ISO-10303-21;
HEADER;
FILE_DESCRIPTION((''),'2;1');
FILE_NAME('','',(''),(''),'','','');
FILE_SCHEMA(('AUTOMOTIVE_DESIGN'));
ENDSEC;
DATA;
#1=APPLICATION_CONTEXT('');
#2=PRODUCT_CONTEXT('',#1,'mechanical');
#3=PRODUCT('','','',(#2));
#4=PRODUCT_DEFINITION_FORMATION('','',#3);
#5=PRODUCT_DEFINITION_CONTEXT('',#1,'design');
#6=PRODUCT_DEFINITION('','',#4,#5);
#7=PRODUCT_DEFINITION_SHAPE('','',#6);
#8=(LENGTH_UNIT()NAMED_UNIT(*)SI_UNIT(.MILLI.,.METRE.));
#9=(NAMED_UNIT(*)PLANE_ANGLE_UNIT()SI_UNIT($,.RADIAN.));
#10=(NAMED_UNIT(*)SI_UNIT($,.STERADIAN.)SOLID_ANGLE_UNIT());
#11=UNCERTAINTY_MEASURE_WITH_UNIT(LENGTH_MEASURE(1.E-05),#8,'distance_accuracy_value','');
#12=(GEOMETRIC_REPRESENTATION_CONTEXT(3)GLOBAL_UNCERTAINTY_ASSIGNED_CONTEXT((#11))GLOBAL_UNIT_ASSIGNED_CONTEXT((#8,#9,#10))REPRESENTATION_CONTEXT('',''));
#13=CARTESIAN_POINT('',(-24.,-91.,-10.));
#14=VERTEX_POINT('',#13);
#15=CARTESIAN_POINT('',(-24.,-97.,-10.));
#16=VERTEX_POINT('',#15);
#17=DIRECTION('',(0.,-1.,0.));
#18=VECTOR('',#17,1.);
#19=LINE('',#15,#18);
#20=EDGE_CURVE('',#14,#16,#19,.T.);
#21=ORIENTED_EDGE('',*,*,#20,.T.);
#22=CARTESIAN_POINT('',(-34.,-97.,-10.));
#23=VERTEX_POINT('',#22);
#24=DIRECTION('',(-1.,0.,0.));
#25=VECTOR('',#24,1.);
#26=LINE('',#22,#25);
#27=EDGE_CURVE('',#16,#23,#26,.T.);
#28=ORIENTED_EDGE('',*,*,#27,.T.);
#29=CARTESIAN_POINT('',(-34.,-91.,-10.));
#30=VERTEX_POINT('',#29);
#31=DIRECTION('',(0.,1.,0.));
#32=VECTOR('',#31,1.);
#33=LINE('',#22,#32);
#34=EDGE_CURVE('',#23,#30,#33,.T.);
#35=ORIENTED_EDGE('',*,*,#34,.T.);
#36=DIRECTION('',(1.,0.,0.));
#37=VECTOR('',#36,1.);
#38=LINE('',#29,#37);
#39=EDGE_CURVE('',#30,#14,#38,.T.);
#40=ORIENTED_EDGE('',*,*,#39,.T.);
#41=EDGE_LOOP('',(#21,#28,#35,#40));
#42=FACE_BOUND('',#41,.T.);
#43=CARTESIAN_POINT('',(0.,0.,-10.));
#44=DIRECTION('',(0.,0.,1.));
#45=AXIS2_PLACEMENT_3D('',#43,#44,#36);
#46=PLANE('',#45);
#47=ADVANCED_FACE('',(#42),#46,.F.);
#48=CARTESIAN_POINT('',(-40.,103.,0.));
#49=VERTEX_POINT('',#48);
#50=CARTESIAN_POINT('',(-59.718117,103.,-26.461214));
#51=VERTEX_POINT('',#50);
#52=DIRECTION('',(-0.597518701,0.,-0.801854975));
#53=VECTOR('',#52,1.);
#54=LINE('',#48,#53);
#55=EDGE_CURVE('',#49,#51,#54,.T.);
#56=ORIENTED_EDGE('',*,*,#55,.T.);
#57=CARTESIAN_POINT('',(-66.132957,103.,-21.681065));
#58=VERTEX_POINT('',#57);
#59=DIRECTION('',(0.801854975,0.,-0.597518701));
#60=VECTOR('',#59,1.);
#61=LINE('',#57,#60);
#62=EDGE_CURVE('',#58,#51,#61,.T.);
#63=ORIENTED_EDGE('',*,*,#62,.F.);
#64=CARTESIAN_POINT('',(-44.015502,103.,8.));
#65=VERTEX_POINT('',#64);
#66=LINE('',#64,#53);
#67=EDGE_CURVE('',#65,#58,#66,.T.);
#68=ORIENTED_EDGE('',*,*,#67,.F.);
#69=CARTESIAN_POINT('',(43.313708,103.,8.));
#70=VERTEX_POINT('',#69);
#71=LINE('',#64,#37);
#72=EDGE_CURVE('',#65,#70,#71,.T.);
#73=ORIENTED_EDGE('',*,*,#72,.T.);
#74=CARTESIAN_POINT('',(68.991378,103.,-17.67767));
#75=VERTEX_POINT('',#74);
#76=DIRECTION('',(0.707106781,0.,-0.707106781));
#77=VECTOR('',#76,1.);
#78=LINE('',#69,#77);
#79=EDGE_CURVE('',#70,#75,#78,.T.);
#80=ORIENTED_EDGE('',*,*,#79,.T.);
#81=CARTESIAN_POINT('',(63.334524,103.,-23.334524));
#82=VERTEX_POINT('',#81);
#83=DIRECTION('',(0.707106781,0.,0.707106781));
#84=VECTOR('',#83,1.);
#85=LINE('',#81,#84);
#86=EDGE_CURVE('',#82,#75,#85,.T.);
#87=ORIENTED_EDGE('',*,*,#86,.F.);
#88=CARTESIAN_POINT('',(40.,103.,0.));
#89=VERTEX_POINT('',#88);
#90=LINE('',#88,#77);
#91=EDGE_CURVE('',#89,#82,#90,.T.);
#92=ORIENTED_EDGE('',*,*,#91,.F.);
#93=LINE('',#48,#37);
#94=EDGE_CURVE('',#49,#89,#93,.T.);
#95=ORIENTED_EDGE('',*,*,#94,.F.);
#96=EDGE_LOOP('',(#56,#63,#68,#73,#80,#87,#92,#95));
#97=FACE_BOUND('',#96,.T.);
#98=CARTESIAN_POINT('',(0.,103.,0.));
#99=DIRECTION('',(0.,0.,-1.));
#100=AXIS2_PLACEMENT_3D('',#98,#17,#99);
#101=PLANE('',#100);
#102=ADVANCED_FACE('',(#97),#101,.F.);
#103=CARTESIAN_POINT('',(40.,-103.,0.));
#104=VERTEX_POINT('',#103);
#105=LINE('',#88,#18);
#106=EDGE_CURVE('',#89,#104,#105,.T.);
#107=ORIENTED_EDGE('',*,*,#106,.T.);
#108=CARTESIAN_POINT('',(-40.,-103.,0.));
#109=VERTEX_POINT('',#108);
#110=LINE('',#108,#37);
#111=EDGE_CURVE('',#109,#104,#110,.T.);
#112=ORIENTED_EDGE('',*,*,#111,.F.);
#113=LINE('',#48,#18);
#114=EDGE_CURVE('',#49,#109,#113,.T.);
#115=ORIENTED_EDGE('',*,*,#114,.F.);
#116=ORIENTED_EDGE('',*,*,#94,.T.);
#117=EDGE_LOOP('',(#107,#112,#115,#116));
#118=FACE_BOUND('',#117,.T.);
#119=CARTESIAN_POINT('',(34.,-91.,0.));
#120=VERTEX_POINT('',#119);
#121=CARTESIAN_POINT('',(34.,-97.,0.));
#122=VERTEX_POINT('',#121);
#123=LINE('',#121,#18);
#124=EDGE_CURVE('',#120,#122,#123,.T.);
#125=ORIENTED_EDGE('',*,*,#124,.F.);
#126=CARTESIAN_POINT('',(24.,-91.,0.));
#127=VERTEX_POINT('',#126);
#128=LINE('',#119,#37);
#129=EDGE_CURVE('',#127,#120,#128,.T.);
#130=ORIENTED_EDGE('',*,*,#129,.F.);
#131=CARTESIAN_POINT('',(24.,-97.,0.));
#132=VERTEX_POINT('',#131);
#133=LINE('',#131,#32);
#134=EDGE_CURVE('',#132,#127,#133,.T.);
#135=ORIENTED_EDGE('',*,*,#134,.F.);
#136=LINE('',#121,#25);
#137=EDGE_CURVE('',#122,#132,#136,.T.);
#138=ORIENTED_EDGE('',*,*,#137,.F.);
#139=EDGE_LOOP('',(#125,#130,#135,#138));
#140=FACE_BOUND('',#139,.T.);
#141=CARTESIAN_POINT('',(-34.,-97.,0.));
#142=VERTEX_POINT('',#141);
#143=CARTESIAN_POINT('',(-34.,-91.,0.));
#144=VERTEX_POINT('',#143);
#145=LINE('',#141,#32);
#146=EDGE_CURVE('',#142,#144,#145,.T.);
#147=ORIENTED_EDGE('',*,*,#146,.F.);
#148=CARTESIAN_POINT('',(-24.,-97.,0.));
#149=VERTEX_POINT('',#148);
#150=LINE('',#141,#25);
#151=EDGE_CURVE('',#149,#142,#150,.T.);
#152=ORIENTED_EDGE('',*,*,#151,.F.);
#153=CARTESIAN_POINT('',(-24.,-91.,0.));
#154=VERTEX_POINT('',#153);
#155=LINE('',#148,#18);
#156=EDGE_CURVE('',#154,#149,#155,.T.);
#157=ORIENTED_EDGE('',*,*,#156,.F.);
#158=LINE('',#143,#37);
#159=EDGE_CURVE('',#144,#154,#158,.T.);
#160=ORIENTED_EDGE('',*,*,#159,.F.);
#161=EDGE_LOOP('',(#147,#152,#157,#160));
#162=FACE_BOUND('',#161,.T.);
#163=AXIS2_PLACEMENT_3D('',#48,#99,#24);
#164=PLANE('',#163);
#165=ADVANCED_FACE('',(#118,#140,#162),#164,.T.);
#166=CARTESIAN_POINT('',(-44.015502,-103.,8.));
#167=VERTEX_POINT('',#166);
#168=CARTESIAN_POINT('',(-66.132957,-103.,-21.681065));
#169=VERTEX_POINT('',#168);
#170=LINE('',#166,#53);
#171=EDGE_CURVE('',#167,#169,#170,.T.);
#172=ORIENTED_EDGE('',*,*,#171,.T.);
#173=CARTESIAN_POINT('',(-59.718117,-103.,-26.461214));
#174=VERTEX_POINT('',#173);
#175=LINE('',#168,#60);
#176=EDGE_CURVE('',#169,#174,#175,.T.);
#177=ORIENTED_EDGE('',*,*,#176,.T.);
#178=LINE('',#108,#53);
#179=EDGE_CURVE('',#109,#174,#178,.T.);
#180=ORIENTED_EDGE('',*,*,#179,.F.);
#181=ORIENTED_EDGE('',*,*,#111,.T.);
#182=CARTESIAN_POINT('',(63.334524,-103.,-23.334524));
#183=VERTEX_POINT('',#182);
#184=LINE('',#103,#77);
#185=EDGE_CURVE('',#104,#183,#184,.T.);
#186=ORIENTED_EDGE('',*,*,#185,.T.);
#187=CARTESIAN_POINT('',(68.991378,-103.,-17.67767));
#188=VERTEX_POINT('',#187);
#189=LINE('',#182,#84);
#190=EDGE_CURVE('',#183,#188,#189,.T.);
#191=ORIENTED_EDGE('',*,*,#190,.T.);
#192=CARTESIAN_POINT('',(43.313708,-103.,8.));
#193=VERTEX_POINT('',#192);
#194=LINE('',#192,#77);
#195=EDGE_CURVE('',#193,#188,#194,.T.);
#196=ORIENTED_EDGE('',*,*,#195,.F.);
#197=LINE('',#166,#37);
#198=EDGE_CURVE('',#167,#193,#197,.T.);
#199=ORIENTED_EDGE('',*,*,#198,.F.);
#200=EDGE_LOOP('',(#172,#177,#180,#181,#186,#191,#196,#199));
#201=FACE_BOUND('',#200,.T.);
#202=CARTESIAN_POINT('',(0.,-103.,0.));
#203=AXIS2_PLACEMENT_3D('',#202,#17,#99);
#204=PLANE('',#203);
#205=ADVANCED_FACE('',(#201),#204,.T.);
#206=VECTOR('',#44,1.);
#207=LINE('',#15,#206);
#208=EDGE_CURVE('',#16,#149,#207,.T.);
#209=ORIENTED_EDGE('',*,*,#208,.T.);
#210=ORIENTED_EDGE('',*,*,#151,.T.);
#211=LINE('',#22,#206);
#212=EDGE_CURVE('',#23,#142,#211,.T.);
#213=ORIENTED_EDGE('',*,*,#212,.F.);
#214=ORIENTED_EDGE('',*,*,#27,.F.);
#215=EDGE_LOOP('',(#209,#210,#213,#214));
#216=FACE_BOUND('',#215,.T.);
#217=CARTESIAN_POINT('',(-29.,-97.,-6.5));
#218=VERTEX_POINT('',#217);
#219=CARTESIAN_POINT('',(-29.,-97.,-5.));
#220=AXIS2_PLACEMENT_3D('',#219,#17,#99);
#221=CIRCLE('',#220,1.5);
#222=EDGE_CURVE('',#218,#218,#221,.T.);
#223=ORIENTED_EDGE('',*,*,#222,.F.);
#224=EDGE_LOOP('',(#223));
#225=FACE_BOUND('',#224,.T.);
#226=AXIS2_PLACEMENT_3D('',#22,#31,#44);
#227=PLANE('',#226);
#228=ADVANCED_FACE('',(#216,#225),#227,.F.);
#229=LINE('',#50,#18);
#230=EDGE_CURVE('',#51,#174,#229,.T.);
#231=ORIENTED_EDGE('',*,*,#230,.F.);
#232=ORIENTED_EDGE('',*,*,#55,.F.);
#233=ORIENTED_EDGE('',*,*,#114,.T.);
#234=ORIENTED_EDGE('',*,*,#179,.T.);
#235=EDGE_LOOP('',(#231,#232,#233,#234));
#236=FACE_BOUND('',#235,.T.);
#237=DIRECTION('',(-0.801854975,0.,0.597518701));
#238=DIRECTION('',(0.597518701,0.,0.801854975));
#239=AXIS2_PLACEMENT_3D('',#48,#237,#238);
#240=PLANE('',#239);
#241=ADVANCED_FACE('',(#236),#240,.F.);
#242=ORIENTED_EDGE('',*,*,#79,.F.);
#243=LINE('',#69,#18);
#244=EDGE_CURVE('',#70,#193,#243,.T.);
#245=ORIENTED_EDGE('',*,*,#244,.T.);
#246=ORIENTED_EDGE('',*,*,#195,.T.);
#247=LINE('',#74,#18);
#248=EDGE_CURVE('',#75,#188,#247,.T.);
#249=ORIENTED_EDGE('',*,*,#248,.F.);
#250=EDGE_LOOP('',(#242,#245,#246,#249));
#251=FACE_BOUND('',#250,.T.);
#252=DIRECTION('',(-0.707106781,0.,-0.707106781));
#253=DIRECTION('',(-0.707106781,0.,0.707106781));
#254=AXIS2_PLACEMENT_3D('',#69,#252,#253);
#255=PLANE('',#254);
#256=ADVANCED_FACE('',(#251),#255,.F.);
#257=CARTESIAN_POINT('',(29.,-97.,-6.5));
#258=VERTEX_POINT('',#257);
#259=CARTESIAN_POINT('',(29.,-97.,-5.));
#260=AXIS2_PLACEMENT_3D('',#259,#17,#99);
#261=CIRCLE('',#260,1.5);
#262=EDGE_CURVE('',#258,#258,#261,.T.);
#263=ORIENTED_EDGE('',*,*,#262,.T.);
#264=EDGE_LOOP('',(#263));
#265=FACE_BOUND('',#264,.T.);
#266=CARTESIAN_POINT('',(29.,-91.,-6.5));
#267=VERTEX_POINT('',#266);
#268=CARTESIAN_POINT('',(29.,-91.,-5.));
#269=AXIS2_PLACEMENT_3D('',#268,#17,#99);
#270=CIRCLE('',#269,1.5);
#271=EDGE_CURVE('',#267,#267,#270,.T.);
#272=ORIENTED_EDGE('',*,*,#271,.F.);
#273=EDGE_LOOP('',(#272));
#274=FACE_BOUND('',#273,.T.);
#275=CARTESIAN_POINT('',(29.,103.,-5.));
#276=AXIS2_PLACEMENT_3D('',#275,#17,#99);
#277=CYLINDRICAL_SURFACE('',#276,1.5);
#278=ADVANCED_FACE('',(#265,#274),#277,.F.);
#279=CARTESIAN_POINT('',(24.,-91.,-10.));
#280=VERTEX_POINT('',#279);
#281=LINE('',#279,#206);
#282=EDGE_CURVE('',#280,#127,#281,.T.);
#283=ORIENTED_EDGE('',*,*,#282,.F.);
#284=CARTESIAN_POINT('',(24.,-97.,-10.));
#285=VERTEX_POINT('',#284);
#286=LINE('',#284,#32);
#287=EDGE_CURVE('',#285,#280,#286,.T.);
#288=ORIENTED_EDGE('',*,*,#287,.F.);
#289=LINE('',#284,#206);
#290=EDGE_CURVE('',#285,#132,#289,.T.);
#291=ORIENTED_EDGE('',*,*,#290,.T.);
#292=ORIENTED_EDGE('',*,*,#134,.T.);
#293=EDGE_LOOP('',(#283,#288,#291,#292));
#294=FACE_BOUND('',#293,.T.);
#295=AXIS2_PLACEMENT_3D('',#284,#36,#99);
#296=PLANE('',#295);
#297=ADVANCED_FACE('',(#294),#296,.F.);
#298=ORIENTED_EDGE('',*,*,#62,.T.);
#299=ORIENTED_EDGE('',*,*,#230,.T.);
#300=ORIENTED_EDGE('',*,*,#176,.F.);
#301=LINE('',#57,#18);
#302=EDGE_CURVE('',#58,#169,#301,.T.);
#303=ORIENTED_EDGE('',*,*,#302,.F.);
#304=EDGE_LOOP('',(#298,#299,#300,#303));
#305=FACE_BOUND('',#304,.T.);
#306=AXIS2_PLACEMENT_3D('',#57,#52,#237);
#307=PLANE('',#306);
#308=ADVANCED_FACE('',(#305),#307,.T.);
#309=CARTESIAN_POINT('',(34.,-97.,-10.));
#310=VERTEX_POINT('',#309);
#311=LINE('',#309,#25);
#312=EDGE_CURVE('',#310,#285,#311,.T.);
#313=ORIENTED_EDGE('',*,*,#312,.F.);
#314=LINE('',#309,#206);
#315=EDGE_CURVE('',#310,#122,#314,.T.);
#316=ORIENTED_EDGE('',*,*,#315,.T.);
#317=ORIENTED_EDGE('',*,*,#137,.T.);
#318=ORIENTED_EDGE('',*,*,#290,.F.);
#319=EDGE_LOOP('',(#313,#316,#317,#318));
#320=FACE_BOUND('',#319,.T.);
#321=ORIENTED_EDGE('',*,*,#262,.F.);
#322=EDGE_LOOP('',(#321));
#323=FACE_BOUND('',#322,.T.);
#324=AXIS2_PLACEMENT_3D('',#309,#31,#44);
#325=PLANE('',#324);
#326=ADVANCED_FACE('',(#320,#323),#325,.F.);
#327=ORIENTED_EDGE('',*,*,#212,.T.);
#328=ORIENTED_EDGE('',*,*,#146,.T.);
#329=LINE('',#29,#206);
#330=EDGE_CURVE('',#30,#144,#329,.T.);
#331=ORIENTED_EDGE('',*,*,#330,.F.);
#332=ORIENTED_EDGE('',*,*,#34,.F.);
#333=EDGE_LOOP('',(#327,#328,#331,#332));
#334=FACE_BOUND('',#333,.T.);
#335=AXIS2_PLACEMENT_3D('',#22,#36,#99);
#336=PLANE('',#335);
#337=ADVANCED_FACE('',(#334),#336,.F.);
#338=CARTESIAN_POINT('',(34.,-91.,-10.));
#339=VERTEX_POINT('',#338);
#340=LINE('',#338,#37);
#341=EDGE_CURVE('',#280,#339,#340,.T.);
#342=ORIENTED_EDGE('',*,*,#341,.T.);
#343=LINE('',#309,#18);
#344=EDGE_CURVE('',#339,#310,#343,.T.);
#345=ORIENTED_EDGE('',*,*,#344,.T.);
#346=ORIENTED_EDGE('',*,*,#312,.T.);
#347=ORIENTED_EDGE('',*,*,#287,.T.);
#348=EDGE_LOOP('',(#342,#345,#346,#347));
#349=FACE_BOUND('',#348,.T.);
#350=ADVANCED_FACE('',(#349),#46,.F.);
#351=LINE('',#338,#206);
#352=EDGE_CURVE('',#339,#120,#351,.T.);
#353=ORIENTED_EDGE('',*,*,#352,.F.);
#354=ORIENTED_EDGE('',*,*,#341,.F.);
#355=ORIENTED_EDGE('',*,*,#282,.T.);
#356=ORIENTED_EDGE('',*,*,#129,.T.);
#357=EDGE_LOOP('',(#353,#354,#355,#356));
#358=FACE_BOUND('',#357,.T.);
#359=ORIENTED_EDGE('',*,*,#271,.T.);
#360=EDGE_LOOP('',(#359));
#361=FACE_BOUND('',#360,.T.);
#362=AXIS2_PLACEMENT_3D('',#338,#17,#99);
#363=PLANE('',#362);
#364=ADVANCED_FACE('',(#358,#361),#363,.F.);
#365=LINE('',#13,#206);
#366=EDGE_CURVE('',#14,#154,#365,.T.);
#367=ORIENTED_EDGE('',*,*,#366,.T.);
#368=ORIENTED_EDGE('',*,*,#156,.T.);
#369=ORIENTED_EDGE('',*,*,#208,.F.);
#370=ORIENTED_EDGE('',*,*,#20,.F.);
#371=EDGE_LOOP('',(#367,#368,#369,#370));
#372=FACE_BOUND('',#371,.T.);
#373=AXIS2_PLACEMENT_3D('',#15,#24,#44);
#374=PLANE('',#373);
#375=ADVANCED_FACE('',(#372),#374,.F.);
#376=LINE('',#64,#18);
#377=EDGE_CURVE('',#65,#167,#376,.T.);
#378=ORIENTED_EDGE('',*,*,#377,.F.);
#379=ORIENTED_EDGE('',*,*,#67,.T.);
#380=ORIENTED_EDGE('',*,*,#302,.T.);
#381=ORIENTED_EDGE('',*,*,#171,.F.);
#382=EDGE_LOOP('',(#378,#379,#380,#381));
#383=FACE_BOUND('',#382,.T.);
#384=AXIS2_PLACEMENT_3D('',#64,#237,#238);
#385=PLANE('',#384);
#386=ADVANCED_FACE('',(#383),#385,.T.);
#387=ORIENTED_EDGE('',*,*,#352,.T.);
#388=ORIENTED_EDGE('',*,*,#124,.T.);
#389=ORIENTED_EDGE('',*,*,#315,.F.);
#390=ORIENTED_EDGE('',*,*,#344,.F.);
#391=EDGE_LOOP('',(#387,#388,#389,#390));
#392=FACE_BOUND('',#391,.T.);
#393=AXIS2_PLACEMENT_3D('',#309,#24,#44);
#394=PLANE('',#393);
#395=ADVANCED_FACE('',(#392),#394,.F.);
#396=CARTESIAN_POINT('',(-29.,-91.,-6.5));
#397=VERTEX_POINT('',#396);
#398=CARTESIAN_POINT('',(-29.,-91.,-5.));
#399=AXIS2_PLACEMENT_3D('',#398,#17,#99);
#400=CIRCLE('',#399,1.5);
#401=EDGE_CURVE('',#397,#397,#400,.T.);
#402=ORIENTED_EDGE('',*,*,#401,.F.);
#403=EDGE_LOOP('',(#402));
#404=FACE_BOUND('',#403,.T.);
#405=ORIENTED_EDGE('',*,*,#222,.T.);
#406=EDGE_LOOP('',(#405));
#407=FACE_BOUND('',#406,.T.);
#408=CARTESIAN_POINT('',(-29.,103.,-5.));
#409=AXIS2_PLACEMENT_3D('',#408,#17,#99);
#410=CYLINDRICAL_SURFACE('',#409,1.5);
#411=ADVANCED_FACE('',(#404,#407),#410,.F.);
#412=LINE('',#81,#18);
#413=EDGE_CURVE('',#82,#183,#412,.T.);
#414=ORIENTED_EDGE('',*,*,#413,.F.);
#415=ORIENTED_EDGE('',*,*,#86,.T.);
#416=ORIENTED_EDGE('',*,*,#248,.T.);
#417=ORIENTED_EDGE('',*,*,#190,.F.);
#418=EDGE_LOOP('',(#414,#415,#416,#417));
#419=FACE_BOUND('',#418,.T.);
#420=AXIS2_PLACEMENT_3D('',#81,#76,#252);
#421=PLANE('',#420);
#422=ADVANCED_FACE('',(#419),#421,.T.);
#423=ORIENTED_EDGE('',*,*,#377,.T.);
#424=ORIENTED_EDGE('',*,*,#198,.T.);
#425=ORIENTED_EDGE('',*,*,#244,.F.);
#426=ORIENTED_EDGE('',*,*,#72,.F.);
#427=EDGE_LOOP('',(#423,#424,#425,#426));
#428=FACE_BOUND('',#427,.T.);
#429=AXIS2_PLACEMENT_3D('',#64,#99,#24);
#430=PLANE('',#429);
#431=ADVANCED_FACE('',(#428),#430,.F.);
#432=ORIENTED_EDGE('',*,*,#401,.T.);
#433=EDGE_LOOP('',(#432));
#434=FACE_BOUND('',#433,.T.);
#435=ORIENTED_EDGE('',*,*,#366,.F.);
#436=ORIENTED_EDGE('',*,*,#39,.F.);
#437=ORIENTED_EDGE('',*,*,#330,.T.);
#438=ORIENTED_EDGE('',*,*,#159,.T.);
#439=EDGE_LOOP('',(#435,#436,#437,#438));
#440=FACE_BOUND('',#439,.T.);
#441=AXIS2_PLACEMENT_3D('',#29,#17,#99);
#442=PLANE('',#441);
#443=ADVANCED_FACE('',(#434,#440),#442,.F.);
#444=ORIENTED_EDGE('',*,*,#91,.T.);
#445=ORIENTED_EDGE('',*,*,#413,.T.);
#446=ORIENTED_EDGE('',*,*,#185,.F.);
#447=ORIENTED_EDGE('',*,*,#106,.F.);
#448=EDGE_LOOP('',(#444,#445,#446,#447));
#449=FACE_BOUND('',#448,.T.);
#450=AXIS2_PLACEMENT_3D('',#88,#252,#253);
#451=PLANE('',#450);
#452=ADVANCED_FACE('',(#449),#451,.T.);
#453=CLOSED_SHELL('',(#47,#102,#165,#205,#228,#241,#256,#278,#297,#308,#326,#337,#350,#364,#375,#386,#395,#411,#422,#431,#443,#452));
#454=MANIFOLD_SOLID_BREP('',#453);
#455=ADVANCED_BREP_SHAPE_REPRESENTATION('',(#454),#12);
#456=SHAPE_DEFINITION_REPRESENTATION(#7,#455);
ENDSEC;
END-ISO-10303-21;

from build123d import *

# Parameters (mm, degrees)
SALIENTE_EXTRUIR1_DEPTH = 103
CROQUIS2_W              = 10
CROQUIS2_H              = 6
SALIENTE_EXTRUIR2_DEPTH = 10
CROQUIS8_R              = 1.5
CORTAR_EXTRUIR3_DEPTH   = 214.213522317


with BuildPart() as part:
    # Croquis1 → Saliente-Extruir1 (new, symmetric)
    with BuildSketch(Plane(origin=(0, 0, 0), x_dir=(1, 0, 0), z_dir=(0, 1, 0))):
        Polygon((-40, 0), (40, 0), (63.334523779, 23.334523779), (68.991378029, 17.67766953), (43.313708499, -8), (-44.015502165, -8), (-66.132956944, 21.681064581), (-59.718117141, 26.46121419), align=None)
    extrude(amount=SALIENTE_EXTRUIR1_DEPTH, both=True)

    # Croquis2 → Saliente-Extruir2 (add)
    with BuildSketch(Plane(origin=(0, 0, 0), x_dir=(-1, 0, 0), z_dir=(0, 0, -1))):
        with Locations((29, -94)):
            Rectangle(CROQUIS2_W, CROQUIS2_H)
        with Locations((-29, -94)):
            Rectangle(CROQUIS2_W, CROQUIS2_H)
    extrude(amount=SALIENTE_EXTRUIR2_DEPTH)

    # Croquis8 → Cortar-Extruir3 (cut, through all)
    with BuildSketch(Plane.XZ.offset(97)):
        with Locations(Location((29, -5, 0), (0, 0, 270))):
            Circle(CROQUIS8_R)
        with Locations(Location((-29, -5, 0), (0, 0, 270))):
            Circle(CROQUIS8_R)
    extrude(amount=-CORTAR_EXTRUIR3_DEPTH, mode=Mode.SUBTRACT)


solid = part.part
